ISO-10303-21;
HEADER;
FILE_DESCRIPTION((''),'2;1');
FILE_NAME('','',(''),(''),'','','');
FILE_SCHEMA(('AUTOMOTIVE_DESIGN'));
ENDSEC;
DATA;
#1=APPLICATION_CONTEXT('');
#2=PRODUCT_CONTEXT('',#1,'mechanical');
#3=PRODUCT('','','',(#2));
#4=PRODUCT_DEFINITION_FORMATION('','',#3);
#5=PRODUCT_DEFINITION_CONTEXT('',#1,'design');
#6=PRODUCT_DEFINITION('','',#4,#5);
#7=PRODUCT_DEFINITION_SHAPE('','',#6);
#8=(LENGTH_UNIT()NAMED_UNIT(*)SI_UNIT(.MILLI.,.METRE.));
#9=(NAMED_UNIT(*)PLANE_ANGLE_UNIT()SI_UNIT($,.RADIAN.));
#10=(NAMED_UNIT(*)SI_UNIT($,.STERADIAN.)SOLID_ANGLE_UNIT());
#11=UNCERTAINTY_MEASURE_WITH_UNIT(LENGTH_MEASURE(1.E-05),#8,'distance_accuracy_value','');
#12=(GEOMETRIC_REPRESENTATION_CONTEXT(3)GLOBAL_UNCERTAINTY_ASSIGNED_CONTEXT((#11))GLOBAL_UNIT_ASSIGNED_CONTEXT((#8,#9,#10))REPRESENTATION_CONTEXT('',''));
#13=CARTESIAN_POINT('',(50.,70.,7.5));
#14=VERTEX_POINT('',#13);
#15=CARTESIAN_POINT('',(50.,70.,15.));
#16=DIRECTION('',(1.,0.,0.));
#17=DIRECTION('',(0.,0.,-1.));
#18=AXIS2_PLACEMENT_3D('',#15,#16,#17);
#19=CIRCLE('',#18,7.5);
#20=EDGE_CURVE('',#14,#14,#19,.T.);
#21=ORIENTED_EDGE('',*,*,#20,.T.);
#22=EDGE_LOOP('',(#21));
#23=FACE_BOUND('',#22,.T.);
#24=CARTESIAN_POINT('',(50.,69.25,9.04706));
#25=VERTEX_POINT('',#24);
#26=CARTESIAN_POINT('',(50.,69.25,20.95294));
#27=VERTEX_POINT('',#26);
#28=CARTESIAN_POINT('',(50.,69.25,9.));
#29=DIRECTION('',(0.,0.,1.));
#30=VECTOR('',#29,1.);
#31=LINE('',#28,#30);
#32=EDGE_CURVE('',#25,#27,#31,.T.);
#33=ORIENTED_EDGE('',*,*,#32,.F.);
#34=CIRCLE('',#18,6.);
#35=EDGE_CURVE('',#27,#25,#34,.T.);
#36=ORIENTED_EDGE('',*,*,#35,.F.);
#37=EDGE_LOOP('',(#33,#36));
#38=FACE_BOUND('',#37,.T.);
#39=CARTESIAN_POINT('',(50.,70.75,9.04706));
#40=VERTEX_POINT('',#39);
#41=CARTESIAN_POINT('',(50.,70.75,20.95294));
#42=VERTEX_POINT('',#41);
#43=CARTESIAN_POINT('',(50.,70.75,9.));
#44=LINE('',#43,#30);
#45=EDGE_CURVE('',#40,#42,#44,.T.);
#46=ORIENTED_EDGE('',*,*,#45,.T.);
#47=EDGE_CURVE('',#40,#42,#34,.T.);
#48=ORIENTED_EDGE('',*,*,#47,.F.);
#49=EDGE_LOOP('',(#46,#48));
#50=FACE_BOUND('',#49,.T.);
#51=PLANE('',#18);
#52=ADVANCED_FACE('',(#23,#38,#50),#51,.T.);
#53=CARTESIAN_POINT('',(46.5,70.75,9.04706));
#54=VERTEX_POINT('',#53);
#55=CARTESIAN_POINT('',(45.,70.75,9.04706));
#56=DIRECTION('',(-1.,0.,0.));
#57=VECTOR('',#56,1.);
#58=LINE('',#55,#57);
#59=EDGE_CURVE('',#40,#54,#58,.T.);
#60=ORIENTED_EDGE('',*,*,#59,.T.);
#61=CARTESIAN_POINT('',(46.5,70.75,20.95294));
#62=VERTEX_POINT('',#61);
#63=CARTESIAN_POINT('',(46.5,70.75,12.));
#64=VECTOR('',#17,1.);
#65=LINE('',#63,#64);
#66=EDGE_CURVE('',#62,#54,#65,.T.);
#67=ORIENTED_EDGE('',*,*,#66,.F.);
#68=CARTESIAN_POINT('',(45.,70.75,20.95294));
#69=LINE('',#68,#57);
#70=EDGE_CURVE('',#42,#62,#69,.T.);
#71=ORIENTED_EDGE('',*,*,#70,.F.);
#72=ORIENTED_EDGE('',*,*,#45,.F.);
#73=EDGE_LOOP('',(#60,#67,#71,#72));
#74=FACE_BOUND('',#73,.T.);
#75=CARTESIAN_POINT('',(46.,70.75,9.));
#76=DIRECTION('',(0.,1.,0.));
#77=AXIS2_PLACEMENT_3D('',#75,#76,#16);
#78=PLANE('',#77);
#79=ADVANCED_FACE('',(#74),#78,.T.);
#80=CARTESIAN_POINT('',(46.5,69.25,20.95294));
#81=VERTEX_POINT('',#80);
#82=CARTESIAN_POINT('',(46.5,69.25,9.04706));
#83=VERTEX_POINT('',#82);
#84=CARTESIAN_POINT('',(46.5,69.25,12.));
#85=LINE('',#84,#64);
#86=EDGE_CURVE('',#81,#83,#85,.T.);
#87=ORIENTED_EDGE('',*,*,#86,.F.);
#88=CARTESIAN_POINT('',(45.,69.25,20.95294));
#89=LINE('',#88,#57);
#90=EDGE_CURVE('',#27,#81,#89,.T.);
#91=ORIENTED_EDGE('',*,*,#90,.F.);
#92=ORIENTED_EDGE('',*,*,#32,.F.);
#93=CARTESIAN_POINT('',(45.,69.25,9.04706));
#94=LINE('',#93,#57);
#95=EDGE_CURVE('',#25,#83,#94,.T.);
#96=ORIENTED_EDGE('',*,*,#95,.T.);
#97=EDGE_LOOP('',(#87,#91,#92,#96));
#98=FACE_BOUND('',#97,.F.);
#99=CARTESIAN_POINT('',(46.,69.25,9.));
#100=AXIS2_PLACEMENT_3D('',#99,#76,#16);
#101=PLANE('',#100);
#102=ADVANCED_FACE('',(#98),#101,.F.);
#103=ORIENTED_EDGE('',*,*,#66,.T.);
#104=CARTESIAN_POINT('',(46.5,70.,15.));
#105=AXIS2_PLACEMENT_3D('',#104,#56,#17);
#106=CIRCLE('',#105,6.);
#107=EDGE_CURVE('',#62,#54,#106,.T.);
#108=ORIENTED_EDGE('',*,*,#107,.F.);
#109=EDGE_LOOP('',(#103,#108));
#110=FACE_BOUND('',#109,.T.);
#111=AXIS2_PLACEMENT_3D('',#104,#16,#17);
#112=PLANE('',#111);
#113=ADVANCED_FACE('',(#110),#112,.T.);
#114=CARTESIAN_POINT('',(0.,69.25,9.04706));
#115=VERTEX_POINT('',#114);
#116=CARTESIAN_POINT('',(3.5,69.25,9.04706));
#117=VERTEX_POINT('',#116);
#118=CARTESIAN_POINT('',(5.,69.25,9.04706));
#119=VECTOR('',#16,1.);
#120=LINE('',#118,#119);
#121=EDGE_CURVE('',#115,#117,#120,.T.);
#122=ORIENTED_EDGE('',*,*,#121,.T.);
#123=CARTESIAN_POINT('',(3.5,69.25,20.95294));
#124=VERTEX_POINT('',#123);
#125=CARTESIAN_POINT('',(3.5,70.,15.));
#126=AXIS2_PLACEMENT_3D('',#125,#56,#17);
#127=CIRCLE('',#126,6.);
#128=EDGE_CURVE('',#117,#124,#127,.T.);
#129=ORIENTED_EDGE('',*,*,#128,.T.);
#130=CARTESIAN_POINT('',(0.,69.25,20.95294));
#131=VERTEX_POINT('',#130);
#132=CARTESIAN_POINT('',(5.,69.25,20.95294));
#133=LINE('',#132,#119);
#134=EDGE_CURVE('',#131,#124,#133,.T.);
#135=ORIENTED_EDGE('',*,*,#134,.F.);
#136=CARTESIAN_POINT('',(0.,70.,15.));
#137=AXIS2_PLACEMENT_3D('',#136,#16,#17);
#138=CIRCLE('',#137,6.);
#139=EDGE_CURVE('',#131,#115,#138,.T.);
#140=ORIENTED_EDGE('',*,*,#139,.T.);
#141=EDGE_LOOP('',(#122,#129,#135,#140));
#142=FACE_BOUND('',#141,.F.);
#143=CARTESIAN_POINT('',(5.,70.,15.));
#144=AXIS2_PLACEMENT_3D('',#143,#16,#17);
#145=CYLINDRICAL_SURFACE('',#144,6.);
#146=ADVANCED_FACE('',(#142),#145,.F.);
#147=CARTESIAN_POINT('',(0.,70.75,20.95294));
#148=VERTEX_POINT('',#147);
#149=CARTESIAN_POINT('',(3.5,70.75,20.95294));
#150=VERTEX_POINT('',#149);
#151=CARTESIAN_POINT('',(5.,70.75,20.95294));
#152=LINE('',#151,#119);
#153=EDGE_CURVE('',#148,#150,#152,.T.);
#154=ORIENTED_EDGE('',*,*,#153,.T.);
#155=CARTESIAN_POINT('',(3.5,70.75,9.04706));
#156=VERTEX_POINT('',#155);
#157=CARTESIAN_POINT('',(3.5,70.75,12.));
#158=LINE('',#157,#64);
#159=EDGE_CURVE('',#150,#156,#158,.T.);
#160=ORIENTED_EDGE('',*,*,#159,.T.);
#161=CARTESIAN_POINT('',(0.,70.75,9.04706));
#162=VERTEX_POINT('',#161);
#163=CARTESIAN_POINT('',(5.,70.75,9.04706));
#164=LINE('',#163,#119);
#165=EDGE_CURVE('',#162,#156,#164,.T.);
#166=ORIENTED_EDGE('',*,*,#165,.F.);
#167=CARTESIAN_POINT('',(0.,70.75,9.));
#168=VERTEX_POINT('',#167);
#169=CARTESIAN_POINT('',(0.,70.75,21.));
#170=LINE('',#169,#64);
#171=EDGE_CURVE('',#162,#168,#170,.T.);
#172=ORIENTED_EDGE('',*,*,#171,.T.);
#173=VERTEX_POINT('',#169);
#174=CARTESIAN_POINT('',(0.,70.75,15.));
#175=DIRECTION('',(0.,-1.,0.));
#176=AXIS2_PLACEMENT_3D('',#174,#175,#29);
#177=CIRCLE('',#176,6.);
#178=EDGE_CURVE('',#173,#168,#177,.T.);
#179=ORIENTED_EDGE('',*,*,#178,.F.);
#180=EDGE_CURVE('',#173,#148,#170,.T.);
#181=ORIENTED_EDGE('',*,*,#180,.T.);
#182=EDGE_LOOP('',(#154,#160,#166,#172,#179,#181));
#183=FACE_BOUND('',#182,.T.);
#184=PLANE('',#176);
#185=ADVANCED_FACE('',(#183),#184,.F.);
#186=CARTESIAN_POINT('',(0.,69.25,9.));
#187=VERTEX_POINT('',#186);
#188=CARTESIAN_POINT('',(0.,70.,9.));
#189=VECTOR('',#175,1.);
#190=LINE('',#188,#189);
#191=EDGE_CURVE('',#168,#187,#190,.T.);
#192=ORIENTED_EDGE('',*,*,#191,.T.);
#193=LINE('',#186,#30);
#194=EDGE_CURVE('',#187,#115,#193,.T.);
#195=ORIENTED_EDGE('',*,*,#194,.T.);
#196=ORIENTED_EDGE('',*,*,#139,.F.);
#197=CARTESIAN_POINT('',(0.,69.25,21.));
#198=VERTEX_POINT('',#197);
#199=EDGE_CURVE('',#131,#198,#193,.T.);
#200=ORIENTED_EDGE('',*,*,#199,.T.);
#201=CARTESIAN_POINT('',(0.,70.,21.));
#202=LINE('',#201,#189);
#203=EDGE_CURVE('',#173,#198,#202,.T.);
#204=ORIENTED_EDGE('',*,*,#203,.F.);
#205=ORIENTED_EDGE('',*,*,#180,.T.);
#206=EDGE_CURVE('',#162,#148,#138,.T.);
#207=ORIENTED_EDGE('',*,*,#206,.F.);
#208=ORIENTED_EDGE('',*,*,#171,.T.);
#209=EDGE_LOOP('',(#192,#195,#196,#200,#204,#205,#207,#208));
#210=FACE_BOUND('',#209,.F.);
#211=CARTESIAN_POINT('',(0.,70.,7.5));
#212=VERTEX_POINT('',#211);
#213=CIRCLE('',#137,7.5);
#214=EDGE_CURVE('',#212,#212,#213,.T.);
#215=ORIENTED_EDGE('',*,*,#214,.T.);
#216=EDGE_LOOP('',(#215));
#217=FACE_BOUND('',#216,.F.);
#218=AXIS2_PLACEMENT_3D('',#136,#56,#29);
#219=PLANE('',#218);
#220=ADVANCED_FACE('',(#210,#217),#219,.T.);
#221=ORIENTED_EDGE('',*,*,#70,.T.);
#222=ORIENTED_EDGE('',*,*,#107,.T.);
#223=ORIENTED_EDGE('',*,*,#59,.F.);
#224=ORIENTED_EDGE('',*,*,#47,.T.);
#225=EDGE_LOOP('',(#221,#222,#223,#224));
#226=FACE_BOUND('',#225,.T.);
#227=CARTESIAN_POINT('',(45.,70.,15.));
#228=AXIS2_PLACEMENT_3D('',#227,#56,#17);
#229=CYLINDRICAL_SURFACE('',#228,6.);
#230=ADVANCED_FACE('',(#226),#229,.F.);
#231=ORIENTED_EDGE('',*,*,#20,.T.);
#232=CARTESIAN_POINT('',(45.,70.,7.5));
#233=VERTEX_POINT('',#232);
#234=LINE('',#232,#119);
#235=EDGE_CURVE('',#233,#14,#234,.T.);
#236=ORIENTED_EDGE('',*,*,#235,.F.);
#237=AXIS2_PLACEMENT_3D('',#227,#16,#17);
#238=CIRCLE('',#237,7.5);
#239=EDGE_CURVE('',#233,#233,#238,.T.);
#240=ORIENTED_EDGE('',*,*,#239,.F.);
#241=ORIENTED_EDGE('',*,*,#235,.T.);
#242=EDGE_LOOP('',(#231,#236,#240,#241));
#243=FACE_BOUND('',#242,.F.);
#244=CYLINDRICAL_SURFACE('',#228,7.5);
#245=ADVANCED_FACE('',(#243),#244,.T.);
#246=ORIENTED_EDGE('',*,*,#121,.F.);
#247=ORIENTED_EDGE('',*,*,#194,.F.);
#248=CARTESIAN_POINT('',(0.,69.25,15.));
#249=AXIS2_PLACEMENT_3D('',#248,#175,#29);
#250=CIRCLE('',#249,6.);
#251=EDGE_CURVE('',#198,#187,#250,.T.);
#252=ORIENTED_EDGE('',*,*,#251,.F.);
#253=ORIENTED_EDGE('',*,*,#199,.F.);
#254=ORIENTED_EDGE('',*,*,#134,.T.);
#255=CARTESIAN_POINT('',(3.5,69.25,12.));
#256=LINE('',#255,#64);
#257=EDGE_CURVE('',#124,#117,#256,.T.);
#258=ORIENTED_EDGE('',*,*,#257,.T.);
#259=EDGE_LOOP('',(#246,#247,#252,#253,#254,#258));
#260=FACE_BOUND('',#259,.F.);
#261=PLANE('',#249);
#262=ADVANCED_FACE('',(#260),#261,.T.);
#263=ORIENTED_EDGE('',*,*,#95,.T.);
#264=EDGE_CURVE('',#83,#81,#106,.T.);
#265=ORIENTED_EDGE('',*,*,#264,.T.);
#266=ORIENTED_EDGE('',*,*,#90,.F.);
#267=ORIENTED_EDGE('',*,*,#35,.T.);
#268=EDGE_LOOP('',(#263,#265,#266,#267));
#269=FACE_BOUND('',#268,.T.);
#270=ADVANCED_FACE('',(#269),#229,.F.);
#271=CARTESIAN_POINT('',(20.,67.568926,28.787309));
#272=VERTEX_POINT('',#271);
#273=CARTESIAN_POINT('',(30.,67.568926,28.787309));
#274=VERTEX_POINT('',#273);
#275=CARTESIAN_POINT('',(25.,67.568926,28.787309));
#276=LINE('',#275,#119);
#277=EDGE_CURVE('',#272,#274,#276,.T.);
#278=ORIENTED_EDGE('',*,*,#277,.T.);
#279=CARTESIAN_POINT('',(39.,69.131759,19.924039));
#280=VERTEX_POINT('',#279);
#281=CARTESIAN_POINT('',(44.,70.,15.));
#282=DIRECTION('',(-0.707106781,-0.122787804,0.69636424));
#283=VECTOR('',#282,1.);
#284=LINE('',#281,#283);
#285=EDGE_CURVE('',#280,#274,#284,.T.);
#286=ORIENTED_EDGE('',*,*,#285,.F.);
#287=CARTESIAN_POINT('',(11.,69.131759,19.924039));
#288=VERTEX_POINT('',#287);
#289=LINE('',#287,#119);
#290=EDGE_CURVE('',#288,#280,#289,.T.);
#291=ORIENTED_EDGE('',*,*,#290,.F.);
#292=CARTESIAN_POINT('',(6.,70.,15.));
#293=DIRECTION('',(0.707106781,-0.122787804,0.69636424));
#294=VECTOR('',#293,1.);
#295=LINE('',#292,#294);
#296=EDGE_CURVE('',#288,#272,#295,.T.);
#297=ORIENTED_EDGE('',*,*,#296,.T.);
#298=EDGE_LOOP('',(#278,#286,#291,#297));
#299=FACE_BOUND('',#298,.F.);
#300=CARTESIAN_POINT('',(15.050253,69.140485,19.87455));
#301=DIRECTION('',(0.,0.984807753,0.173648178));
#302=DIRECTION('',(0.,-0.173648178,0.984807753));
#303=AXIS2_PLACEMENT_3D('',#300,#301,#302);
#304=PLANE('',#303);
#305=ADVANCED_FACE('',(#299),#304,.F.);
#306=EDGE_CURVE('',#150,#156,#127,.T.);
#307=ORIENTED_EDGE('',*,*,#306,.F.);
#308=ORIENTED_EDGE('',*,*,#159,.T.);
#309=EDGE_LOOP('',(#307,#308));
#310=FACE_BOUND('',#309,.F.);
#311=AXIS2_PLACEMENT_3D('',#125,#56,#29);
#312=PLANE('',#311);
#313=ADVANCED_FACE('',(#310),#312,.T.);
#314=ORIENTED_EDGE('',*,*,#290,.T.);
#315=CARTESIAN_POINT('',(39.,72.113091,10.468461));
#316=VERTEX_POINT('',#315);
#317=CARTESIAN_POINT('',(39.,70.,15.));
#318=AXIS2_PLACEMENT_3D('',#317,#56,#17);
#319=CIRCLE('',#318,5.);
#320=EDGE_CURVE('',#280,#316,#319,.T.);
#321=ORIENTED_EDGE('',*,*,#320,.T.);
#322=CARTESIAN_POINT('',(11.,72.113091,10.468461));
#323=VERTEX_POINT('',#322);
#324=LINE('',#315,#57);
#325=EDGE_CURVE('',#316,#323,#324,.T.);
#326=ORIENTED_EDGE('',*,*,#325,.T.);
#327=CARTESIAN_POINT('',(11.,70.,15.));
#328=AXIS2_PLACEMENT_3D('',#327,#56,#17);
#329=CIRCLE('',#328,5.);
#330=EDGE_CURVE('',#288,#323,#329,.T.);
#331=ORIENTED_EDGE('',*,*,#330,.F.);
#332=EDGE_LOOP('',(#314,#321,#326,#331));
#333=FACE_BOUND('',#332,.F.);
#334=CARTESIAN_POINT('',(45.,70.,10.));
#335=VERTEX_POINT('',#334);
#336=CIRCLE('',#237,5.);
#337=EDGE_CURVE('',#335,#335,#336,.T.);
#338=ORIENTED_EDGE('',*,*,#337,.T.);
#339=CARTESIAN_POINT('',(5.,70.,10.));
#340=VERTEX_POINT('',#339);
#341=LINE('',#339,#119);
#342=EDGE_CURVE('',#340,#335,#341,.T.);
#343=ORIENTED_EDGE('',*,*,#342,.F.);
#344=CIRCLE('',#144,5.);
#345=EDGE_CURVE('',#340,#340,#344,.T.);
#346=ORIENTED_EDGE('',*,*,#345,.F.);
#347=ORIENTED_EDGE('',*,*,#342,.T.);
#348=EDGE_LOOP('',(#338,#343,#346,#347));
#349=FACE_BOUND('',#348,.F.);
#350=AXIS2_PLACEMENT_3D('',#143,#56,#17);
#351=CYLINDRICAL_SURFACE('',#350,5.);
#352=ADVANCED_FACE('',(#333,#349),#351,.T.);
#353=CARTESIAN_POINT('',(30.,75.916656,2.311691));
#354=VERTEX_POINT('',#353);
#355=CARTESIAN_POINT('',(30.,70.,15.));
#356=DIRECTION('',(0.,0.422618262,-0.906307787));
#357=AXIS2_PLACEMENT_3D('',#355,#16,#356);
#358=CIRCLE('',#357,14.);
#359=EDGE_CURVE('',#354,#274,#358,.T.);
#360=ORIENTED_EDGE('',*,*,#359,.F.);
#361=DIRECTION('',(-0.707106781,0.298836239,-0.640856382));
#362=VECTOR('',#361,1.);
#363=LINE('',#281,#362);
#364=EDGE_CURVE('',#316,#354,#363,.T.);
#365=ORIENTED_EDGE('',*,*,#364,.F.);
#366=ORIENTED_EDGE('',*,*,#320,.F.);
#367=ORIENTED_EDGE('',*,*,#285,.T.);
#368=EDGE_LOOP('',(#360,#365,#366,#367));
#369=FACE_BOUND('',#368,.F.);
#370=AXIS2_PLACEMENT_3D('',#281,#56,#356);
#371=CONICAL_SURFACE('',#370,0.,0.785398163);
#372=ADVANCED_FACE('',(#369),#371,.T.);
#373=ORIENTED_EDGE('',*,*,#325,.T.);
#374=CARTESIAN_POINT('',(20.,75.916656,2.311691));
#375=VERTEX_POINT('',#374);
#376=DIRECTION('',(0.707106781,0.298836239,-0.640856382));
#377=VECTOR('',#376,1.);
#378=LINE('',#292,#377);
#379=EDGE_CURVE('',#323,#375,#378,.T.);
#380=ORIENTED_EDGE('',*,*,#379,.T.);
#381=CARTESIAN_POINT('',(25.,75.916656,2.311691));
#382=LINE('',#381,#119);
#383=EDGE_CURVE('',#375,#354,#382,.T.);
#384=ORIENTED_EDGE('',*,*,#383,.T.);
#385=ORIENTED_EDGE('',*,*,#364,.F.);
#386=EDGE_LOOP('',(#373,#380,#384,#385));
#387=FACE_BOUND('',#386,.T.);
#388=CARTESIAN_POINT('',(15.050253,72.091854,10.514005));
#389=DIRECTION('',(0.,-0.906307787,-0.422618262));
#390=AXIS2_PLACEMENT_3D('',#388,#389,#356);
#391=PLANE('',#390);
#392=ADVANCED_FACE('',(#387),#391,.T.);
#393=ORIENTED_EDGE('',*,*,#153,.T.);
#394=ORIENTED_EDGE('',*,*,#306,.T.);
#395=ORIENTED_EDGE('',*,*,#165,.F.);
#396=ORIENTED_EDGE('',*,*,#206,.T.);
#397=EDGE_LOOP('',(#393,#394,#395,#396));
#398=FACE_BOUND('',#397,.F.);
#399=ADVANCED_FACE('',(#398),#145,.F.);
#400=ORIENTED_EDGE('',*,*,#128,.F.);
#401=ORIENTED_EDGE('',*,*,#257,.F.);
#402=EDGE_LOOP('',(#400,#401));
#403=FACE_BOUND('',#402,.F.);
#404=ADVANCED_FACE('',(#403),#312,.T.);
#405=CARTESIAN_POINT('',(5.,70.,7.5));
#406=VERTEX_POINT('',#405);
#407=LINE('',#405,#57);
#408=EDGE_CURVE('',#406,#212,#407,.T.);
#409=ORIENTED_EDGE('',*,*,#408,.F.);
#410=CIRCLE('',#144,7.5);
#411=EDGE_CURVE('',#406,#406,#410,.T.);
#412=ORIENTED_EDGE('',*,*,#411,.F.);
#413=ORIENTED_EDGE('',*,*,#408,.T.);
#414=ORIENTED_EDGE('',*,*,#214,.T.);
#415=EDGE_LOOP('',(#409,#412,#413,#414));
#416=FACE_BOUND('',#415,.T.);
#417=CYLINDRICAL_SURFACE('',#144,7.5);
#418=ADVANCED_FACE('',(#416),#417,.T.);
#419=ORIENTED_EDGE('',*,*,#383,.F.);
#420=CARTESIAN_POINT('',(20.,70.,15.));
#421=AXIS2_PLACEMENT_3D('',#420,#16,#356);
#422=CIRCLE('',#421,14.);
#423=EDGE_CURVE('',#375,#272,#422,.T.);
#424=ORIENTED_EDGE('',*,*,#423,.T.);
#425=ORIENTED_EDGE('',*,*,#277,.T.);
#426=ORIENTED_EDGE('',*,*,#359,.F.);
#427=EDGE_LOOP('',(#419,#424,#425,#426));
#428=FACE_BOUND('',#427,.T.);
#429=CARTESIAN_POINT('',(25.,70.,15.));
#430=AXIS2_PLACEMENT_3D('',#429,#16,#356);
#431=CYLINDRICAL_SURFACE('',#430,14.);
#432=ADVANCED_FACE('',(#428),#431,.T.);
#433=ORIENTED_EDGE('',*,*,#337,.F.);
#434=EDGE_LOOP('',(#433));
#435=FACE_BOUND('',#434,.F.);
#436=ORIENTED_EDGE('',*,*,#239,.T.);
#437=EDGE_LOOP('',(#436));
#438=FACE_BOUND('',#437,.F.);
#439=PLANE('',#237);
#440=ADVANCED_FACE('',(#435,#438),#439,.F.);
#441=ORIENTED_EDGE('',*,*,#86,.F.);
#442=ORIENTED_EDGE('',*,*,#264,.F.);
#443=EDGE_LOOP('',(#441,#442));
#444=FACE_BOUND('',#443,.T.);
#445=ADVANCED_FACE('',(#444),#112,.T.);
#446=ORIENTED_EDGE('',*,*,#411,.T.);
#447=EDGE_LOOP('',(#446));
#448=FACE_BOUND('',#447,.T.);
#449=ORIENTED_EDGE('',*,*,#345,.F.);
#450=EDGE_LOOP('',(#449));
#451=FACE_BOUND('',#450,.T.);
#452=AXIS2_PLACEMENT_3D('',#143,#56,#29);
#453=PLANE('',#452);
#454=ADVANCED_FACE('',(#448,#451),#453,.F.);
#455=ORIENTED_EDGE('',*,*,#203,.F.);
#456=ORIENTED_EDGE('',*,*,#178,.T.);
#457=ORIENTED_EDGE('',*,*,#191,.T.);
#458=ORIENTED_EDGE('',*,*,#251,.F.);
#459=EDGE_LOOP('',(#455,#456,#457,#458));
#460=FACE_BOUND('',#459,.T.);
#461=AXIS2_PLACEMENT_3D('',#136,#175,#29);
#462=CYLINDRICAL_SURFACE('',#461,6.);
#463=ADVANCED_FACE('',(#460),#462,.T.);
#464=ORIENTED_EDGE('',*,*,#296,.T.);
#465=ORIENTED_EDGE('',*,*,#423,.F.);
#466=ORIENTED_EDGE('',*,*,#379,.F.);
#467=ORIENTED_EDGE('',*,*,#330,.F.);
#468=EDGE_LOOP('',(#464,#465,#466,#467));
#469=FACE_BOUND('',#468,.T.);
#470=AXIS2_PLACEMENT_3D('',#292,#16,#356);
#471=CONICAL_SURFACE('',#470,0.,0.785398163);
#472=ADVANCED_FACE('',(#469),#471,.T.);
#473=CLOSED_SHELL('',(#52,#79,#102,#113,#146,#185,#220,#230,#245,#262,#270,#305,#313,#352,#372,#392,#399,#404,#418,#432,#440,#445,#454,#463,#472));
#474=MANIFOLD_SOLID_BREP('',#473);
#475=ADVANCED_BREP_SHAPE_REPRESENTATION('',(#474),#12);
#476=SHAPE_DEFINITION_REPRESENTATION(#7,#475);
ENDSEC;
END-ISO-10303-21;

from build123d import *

# Parameters (mm, degrees)
CYLINDER1033_W               = 6
CYLINDER1033_H               = 1.5
CYLINDER1033_ANGLE           = 180
CYLINDER1029_R               = 7.5
CYLINDER1029_DEPTH           = 5
CYLINDER1029_PITCH_ANGLE     = 90
THICKNESS001_T               = -1.5
BOX025_W                     = 4
BOX025_H                     = 1.5
BOX025_DEPTH                 = 12
CYLINDER1027_R               = 5
CYLINDER1027_DEPTH           = 40
CYLINDER1027_PITCH_ANGLE     = 90
CYLINDER1026_W               = 14
CYLINDER1026_H               = 10
CYLINDER1026_ANGLE           = 165
CYLINDER1026_ROLL_ANGLE      = 90
CYLINDER1026_PITCH_ANGLE     = 65
CYLINDER1026_PLACEMENT_ANGLE = 90
CONE001_ANGLE                = 165
CONE001_ROLL_ANGLE           = 90
CONE001_PITCH_ANGLE          = 65
CONE001_PLACEMENT_ANGLE      = 90


with BuildPart() as cylinder1047:
    # Cylinder1033 → Cylinder1033 (revolve)
    with BuildSketch(Plane(origin=(0, 70.75, 15), x_dir=(0, 0, 1), z_dir=(1, 0, 0))):
        with Locations((3, 0.75)):
            Rectangle(CYLINDER1033_W, CYLINDER1033_H)
    revolve(axis=Axis((0, 70.75, 15), (0, -1, 0)), revolution_arc=CYLINDER1033_ANGLE)


with BuildPart() as thickness001:
    # Cylinder1029 → Cylinder1029 (new body)
    with BuildSketch(Plane.XY):
        Circle(CYLINDER1029_R)
    extrude(amount=CYLINDER1029_DEPTH)


with BuildPart() as thickness001_1:
    # Cylinder1029 pitch: moved
    add(thickness001.part.rotate(Axis((0, 0, 0), (0, 1, 0)), CYLINDER1029_PITCH_ANGLE))


with BuildPart() as thickness001_2:
    # Cylinder1029 placement: moved
    add(thickness001_1.part.moved(Location((45, 70, 15))))

    # Thickness001
    thickness001_openings = [thickness001_2.faces().sort_by_distance(p)[0] for p in [
        (50, 70, 15),
    ]]
    offset(amount=THICKNESS001_T, openings=thickness001_openings)


with BuildPart() as fusion028:
    # Box025 → Box025 (new body)
    with BuildSketch(Plane(origin=(46, 69.25, 9), x_dir=(1, 0, 0), z_dir=(0, 0, 1))):
        with Locations((2, 0.75)):
            Rectangle(BOX025_W, BOX025_H)
    extrude(amount=BOX025_DEPTH)

    # Fusion028: union Thickness001
    add(thickness001_2.part)


with BuildPart() as cylinder1042:
    # Cylinder1027 → Cylinder1027 (new body)
    with BuildSketch(Plane.XY):
        Circle(CYLINDER1027_R)
    extrude(amount=CYLINDER1027_DEPTH)


with BuildPart() as cylinder1042_1:
    # Cylinder1027 pitch: moved
    add(cylinder1042.part.rotate(Axis((0, 0, 0), (0, 1, 0)), CYLINDER1027_PITCH_ANGLE))


with BuildPart() as cylinder1042_2:
    # Cylinder1027 placement: moved
    add(cylinder1042_1.part.moved(Location((5, 70, 15))))


with BuildPart() as cylinder1041:
    # Cylinder1026 → Cylinder1026 (revolve)
    with BuildSketch(Plane.XZ):
        with Locations((7, 5)):
            Rectangle(CYLINDER1026_W, CYLINDER1026_H)
    revolve(axis=Axis((0, 0, 0), (0, 0, 1)), revolution_arc=CYLINDER1026_ANGLE)


with BuildPart() as cylinder1041_1:
    # Cylinder1026 roll: moved
    add(cylinder1041.part.rotate(Axis((0, 0, 0), (1, 0, 0)), CYLINDER1026_ROLL_ANGLE))


with BuildPart() as cylinder1041_2:
    # Cylinder1026 pitch: moved
    add(cylinder1041_1.part.rotate(Axis((0, 0, 0), (0, 1, 0)), CYLINDER1026_PITCH_ANGLE))


with BuildPart() as cylinder1041_3:
    # Cylinder1026 placement: moved
    add(cylinder1041_2.part.moved(Location((20, 70, 15))).rotate(Axis((20, 70, 15), (0, 0, 1)), CYLINDER1026_PLACEMENT_ANGLE))


with BuildPart() as cone001:
    # Cone001 → Cone001 (revolve)
    with BuildSketch(Plane.XZ):
        Polygon((0, 0), (14, 14), (0, 14), align=None)
    revolve(axis=Axis((0, 0, 0), (0, 0, 1)), revolution_arc=CONE001_ANGLE)


with BuildPart() as cone001_1:
    # Cone001 roll: moved
    add(cone001.part.rotate(Axis((0, 0, 0), (1, 0, 0)), CONE001_ROLL_ANGLE))


with BuildPart() as cone001_2:
    # Cone001 pitch: moved
    add(cone001_1.part.rotate(Axis((0, 0, 0), (0, 1, 0)), CONE001_PITCH_ANGLE))


with BuildPart() as cone001_3:
    # Cone001 placement: moved
    add(cone001_2.part.moved(Location((6, 70, 15))).rotate(Axis((6, 70, 15), (0, 0, 1)), CONE001_PLACEMENT_ANGLE))


with BuildPart() as part_mirroring004:
    # Part__Mirroring004: instance of Cone001
    add(cone001_3.part.mirror(Plane(origin=(25, 0, 0), x_dir=(0, -1, 0), z_dir=(1, 0, 0))))


with BuildPart() as fusion050:
    # Part__Mirroring001: instance of Fusion028
    add(fusion028.part.mirror(Plane(origin=(25, 0, 0), x_dir=(0, -1, 0), z_dir=(1, 0, 0))))

    # Fusion031: union Fusion028, Cylinder1042, Cylinder1041, Part__Mirroring004, Cone001
    add(fusion028.part)
    add(cylinder1042_2.part)
    add(cylinder1041_3.part)
    add(part_mirroring004.part)
    add(cone001_3.part)

    # Fusion050: union Cylinder1047
    add(cylinder1047.part)


solid = fusion050.part
